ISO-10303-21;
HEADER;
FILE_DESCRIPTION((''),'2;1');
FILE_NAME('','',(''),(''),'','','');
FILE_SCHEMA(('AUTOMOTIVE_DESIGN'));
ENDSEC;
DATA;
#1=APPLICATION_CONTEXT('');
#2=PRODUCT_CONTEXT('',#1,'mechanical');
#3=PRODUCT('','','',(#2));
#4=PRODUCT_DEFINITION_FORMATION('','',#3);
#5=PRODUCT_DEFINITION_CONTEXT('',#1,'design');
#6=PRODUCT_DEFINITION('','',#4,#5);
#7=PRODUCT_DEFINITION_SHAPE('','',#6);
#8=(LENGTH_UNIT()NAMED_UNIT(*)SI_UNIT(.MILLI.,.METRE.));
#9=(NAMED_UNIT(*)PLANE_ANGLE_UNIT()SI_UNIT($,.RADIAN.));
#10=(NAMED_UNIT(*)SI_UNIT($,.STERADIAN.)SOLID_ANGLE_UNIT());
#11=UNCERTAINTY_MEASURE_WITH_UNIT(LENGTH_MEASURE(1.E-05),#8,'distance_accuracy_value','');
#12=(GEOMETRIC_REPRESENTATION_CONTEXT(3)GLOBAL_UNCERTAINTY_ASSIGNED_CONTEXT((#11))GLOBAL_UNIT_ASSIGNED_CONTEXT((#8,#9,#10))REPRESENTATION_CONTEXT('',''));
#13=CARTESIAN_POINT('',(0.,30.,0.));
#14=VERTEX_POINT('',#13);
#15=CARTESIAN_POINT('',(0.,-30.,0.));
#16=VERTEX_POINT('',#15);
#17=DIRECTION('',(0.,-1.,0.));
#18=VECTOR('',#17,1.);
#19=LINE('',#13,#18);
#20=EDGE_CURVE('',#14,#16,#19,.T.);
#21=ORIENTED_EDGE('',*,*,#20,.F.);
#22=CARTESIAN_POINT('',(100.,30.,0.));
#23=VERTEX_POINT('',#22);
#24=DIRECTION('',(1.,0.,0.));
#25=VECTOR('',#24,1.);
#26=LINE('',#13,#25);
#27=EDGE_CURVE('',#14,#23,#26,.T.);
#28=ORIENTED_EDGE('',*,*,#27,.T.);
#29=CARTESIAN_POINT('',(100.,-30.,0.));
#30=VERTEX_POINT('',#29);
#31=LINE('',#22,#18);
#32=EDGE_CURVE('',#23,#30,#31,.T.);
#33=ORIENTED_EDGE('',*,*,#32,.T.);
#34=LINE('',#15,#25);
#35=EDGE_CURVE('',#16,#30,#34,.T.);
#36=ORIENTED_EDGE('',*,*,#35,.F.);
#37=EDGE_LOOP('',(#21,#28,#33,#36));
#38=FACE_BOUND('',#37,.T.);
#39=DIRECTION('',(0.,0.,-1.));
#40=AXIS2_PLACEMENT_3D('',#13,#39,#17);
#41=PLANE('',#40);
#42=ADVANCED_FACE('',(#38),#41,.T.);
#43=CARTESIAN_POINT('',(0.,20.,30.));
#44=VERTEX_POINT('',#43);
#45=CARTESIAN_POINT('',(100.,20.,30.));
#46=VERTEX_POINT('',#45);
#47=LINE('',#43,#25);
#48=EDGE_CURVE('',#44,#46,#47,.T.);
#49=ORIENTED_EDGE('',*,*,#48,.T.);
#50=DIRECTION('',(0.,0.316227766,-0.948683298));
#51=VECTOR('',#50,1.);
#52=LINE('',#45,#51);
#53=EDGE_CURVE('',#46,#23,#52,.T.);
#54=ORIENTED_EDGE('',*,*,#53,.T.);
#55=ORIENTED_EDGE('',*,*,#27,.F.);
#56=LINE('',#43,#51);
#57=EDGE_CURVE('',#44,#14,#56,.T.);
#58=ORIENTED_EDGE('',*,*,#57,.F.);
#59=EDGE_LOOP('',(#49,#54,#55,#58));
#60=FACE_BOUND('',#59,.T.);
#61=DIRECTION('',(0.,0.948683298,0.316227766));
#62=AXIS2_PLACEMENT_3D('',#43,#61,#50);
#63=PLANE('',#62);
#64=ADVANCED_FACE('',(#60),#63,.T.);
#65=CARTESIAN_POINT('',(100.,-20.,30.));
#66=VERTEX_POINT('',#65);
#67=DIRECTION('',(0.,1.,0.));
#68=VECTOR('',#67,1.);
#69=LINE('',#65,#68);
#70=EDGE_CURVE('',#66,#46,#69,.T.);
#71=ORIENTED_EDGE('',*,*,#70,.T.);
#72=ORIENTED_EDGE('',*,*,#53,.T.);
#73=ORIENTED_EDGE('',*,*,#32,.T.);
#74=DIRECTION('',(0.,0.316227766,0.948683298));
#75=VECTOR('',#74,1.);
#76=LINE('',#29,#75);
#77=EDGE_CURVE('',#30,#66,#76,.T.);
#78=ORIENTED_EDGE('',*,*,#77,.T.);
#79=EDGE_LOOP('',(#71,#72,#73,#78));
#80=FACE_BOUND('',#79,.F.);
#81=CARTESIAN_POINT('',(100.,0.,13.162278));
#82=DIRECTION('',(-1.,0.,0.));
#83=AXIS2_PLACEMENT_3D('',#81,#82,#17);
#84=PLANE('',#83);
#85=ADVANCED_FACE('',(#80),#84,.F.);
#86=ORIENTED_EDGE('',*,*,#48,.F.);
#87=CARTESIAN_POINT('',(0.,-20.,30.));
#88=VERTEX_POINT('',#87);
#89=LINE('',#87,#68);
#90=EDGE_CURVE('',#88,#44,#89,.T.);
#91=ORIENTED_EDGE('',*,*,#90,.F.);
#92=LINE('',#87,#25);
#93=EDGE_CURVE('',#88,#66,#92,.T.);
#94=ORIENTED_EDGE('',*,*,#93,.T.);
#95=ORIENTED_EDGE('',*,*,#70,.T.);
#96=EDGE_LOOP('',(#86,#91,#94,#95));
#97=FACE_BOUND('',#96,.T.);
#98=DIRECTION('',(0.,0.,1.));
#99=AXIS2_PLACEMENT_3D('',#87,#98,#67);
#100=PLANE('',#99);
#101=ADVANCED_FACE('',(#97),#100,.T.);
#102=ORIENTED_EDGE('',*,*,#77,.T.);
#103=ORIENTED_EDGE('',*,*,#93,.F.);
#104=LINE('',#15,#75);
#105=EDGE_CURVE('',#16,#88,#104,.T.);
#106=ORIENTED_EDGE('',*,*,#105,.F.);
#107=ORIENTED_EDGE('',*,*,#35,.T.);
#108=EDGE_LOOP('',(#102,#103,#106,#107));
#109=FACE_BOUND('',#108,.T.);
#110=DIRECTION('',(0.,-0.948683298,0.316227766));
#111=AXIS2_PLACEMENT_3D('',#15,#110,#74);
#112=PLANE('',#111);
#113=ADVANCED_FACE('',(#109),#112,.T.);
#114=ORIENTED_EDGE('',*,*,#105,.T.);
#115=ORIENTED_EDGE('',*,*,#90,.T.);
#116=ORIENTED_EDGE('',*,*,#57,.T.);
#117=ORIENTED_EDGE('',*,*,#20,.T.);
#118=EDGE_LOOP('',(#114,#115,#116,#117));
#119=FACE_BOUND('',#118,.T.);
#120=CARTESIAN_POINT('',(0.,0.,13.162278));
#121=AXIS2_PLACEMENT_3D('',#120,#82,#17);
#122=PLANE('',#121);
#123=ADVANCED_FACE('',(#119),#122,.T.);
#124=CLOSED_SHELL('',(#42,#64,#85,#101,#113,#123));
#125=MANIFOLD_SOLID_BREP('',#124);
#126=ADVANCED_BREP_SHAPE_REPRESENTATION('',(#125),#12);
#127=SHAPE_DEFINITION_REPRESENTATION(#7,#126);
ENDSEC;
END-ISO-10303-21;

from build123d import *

# Parameters (mm, degrees)
PAD_DEPTH = 100


with BuildPart() as part:
    # Sketch → Pad (new body)
    with BuildSketch(Plane.YZ):
        Polygon((-30, 0), (-20, 30), (20, 30), (30, 0), align=None)
    extrude(amount=PAD_DEPTH)


solid = part.part
